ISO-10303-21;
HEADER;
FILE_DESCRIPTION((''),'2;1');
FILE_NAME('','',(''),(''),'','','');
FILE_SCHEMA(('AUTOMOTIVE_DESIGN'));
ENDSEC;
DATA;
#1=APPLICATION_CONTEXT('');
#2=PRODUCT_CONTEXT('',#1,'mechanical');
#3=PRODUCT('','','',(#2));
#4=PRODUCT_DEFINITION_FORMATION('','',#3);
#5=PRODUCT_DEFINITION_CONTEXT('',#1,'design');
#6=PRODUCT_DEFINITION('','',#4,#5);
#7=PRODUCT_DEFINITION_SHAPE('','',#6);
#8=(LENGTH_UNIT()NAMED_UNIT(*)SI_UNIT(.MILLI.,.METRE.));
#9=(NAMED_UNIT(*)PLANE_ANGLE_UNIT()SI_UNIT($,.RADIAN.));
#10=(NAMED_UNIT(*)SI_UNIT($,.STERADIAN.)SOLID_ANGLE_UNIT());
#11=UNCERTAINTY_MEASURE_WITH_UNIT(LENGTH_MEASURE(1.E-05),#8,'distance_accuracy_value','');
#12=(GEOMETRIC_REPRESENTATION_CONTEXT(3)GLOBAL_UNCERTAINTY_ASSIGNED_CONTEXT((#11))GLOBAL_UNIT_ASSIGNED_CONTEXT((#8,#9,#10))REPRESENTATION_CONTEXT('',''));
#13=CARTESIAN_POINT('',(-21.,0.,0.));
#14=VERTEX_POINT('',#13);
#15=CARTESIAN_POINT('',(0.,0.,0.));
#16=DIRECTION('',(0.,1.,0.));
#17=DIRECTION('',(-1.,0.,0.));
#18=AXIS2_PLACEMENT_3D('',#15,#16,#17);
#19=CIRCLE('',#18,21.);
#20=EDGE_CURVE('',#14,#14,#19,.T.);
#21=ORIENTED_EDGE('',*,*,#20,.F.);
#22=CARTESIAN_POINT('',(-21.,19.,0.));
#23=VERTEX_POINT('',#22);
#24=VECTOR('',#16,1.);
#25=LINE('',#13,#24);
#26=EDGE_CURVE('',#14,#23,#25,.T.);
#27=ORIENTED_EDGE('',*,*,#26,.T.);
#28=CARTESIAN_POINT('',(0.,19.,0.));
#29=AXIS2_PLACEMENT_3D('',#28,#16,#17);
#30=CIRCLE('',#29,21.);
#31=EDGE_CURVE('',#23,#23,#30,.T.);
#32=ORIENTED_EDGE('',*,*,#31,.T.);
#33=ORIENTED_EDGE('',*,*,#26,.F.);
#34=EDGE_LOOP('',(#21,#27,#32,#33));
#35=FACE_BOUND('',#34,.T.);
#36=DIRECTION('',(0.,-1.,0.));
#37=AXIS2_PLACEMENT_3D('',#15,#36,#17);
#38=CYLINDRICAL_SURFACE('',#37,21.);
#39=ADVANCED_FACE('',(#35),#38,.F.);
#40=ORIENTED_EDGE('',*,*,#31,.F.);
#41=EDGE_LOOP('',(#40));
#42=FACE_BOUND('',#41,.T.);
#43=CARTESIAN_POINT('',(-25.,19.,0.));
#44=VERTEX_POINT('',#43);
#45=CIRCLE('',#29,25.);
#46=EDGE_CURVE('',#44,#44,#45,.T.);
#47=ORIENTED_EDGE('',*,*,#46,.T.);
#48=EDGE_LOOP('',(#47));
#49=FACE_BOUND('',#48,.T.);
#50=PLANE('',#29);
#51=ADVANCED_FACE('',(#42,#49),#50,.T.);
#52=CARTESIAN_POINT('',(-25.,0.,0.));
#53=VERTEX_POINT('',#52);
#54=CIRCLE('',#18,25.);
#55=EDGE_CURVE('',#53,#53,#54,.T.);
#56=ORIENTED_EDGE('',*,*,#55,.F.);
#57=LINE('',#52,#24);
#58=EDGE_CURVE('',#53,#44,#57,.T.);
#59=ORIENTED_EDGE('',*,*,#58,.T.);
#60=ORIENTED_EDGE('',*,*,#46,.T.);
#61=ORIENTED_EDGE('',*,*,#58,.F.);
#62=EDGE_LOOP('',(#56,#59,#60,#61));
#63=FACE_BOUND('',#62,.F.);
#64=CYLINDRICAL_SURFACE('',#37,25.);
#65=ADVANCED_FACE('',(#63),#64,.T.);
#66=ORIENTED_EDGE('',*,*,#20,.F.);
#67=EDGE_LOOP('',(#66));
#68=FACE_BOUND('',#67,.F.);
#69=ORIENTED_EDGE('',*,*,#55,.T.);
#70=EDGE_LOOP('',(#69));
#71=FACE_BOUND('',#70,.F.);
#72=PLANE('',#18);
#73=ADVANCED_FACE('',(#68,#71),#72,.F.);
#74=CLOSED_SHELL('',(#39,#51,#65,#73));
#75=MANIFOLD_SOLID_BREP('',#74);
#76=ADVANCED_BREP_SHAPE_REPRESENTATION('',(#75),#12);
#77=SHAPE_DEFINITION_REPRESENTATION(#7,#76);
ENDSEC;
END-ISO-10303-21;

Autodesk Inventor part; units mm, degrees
ref_plane "YZ Plane" through (0, 0, 0) normal (1, 0, 0) x (0, 1, 0)
ref_plane "XZ Plane" through (0, 0, 0) normal (0, 1, 0) x (-1, 0, 0)
ref_plane "XY Plane" through (0, 0, 0) normal (0, 0, 1) x (1, 0, 0)
sketch "Sketch1" plane through (0, 0, 0) normal (0, 1, 0) x (-1, 0, 0)
  circle A0 centre (0, 0) radius 25
  circle A1 centre (0, 0) radius 21
  dimension "d0" = 50
  dimension "d1" = 42
extrude "Extrusion1" add sketch "Sketch1" along normal blind 19
properties part number "Pierścień dystansujący 2"
